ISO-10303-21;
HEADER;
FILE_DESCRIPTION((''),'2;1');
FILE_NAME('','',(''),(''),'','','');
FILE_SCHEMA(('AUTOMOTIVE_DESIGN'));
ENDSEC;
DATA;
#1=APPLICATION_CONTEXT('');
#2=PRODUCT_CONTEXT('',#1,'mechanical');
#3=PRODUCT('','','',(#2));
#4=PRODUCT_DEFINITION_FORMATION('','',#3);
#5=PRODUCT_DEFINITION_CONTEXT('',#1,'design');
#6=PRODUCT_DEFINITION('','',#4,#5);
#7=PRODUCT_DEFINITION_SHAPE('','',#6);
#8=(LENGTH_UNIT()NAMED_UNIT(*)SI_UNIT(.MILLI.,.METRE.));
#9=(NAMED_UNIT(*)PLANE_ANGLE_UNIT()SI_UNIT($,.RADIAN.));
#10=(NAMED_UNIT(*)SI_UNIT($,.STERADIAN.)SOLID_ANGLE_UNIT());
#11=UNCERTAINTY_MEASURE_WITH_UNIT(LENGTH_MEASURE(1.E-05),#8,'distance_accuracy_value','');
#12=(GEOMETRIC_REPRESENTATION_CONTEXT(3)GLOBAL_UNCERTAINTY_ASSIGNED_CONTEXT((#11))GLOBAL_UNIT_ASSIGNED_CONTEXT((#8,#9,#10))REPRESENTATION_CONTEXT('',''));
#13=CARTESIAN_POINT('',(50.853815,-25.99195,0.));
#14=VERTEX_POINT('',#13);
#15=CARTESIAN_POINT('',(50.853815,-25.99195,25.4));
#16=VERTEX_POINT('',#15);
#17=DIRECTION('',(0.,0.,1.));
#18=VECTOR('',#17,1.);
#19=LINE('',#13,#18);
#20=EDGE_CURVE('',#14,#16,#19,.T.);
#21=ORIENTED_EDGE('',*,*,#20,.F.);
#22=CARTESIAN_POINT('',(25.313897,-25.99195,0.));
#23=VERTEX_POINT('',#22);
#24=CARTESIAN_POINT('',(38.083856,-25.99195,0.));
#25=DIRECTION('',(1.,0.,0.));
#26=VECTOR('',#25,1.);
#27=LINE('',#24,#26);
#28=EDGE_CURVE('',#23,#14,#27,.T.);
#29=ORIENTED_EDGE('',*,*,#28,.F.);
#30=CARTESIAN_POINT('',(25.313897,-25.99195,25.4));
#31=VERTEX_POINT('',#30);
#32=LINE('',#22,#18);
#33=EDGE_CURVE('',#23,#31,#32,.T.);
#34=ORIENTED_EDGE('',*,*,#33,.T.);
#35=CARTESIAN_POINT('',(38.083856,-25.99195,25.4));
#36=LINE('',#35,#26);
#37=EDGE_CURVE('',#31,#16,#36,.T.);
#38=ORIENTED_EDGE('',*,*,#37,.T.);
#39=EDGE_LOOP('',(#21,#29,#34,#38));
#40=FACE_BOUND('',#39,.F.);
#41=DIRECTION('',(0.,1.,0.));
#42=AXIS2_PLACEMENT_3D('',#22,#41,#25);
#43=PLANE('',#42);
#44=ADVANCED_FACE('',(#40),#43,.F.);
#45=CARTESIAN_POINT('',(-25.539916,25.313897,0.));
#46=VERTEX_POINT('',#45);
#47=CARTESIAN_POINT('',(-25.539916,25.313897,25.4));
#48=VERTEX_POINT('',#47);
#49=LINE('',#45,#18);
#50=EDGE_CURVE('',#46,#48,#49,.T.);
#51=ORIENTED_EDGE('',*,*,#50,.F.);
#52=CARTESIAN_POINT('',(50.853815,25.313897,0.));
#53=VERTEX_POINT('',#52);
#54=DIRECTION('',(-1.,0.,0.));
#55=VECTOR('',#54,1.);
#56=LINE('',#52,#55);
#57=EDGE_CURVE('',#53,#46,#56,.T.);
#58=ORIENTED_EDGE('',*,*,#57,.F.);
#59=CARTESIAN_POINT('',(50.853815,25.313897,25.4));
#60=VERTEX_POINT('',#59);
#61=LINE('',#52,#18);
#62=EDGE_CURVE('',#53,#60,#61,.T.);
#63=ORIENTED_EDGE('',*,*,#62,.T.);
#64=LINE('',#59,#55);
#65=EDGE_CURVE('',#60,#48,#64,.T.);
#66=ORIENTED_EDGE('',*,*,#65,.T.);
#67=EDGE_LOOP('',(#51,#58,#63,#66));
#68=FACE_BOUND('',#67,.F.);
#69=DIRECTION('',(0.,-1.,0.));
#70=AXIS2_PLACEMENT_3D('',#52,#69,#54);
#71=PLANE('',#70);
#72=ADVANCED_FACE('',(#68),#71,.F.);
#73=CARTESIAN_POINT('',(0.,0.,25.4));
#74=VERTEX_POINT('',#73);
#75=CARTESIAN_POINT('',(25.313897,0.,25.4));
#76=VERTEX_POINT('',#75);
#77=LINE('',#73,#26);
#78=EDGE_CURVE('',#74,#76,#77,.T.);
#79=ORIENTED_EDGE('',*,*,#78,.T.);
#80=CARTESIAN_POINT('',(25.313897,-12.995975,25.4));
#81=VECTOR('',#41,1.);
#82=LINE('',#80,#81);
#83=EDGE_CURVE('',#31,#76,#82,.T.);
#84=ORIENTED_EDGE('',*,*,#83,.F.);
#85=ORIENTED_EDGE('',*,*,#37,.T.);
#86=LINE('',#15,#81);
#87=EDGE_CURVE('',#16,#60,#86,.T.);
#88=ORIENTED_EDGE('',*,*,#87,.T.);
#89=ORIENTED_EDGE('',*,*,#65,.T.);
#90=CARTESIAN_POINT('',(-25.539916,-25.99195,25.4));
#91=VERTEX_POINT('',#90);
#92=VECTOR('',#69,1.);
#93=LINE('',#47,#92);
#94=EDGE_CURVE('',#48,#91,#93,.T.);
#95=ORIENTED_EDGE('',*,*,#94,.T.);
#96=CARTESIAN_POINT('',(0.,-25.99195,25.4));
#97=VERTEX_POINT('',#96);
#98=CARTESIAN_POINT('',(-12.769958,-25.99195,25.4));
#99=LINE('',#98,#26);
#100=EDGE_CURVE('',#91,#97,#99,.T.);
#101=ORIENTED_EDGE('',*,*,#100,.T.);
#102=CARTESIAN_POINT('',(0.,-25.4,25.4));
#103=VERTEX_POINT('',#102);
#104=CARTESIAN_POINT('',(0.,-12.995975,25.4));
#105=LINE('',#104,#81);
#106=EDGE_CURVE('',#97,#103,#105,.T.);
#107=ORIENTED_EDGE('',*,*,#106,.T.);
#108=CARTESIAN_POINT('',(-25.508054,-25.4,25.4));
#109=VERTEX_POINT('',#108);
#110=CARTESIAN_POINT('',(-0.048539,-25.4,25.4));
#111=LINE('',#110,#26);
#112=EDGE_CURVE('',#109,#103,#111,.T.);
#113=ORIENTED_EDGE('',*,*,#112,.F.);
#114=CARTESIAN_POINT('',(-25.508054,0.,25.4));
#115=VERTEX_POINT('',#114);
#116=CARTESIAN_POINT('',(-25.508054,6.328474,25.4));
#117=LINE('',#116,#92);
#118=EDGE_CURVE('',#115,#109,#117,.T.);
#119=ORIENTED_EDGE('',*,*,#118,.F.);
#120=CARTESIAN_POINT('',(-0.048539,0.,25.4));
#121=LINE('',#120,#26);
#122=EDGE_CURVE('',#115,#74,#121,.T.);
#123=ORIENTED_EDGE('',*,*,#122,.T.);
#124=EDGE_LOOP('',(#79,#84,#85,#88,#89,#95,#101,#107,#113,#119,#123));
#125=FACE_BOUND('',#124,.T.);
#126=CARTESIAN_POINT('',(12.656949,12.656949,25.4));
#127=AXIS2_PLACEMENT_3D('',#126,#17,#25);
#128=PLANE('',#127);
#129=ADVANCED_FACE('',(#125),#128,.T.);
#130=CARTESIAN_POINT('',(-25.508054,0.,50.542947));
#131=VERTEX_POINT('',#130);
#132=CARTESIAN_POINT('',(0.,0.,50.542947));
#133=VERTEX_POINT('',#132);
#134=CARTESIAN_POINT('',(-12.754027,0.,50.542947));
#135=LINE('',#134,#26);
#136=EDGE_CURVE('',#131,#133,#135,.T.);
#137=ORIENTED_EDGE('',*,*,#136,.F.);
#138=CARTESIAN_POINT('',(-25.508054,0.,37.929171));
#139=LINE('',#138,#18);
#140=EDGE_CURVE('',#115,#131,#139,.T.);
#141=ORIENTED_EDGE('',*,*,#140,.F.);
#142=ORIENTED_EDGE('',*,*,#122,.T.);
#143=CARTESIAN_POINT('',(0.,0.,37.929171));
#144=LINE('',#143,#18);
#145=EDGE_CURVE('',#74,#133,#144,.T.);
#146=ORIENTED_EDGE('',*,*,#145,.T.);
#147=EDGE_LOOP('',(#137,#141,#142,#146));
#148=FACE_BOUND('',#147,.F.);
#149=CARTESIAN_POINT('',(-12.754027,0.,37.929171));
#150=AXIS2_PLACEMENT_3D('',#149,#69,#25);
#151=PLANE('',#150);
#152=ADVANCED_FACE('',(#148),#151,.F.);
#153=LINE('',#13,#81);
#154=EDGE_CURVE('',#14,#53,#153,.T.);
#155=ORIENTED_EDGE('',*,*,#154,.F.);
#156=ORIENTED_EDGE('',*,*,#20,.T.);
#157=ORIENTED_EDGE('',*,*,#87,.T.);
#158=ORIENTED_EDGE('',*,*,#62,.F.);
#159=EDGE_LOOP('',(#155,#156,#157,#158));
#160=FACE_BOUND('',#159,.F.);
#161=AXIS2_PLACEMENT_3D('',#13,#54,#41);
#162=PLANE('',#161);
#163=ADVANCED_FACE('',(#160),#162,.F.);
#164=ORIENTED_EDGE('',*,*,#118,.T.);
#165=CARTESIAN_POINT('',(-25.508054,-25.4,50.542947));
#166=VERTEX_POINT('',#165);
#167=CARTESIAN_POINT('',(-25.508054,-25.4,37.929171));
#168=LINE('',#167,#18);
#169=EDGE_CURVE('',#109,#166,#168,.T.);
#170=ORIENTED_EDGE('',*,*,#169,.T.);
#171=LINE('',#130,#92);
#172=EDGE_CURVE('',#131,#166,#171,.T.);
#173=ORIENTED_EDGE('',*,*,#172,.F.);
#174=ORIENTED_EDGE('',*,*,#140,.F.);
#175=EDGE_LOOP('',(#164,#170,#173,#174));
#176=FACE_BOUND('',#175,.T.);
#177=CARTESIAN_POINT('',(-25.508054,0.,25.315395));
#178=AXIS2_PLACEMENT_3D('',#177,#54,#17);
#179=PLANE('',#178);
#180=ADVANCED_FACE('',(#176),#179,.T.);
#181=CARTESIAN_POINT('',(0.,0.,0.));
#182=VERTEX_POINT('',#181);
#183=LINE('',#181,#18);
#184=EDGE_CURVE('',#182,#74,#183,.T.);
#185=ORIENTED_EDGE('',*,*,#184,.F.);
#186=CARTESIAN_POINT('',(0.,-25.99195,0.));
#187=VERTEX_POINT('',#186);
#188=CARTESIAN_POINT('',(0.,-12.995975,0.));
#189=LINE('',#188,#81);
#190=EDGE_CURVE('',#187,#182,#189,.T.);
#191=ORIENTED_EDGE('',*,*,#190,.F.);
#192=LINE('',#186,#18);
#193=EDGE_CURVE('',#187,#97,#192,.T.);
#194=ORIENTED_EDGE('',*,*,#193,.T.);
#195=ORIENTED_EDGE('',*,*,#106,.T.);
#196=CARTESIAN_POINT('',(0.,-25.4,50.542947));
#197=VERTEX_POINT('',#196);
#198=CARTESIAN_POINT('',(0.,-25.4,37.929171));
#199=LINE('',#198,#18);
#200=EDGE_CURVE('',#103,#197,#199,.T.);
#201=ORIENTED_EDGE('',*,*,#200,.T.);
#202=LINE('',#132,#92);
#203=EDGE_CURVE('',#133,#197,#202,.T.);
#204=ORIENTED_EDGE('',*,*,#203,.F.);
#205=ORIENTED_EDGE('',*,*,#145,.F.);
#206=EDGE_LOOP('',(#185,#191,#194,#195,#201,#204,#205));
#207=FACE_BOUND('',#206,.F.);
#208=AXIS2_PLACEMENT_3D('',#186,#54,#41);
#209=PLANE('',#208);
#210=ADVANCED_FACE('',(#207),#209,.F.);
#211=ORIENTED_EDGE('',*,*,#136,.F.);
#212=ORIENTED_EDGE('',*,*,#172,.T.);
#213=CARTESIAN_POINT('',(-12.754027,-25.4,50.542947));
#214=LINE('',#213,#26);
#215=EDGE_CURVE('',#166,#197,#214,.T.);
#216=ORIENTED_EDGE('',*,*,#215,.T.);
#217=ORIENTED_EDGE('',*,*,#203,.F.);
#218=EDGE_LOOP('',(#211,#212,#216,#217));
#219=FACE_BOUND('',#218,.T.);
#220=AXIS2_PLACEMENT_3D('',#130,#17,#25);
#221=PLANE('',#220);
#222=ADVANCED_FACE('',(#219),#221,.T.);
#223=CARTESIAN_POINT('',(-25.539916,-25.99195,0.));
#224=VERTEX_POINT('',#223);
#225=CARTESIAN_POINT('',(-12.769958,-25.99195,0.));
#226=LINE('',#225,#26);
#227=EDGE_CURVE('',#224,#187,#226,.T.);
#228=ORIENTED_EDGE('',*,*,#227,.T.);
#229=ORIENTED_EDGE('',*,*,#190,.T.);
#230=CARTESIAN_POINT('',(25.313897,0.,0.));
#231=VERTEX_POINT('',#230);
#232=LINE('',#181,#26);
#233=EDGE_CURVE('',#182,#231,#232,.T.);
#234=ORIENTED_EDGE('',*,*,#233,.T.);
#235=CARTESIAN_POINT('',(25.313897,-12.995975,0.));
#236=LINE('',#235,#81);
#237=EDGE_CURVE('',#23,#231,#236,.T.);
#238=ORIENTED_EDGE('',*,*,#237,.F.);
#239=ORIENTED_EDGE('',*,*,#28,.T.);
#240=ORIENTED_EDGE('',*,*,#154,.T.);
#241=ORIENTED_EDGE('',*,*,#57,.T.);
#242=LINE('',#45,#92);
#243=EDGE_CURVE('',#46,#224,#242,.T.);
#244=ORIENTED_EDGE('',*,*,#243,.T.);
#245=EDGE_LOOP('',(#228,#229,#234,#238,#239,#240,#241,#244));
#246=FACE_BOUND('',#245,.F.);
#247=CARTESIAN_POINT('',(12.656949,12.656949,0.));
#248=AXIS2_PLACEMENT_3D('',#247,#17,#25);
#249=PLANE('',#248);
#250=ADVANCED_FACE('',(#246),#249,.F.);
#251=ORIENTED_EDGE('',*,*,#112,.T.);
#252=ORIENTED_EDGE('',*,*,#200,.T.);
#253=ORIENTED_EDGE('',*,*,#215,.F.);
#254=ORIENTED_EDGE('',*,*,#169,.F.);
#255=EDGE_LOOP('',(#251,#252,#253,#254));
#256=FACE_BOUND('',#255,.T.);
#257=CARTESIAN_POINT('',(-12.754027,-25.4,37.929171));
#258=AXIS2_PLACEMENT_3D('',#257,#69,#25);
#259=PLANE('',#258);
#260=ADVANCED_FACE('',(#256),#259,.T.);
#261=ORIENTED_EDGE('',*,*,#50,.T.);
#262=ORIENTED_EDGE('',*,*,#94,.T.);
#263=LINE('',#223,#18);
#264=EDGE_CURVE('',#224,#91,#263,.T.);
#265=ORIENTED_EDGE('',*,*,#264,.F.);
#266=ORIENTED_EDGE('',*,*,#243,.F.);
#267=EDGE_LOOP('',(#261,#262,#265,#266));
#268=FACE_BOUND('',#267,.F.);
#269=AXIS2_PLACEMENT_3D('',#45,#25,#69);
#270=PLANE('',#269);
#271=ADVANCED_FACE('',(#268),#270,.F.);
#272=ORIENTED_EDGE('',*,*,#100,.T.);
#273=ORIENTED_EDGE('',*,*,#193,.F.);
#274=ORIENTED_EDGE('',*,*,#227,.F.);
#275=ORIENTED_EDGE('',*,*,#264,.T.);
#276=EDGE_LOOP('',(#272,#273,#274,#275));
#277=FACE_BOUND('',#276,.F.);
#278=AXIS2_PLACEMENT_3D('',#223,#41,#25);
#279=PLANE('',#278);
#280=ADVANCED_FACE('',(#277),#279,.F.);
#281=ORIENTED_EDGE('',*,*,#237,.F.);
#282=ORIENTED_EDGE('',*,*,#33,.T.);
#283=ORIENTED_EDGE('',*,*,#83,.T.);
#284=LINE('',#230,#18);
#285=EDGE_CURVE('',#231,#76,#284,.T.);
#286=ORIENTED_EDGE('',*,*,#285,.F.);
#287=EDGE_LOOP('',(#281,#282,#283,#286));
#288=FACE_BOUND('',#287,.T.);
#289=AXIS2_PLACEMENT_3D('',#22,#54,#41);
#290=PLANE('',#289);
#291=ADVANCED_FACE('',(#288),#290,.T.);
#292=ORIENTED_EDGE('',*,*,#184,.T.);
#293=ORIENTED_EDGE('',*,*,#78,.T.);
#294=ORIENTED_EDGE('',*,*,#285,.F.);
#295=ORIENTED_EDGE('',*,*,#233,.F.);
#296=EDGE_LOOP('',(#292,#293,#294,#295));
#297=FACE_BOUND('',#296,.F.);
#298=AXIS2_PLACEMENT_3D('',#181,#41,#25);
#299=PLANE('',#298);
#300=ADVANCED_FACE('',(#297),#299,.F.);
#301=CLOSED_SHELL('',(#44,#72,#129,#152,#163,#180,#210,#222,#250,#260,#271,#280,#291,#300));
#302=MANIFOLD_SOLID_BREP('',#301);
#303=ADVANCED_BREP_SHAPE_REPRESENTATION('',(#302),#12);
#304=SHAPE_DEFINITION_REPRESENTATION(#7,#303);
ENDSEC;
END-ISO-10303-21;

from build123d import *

# Parameters (mm, degrees)
F0_W     = 25.3138970584
F0_H     = 25.3138970584
F0_W_2   = 25.5399178714
F0_H_2   = 25.9919501841
F0_W_3   = 25.5399160087
F1_DEPTH = 25.4
F2_W     = 25.5080536008
F2_H     = 25.2275522798
F3_DEPTH = 25.4


with BuildPart() as f1:
    # F0 (on Top) → F1 (new body)
    with BuildSketch(Plane.XY):
        with Locations((12.6569485292, 12.6569485292)):
            Rectangle(F0_W, F0_H)
        with Locations((38.083855994, 12.6569485292)):
            Rectangle(F0_W_2, F0_H)
        with Locations((38.083855994, -12.9959750921)):
            Rectangle(F0_W_2, F0_H_2)
        with Locations((-12.7699580044, -12.9959750921)):
            Rectangle(F0_W_3, F0_H_2)
        with Locations((-12.7699580044, 12.6569485292)):
            Rectangle(F0_W_3, F0_H)
    extrude(amount=F1_DEPTH)

    # F2 (on Front) → F3 (join)
    with BuildSketch(Plane.XZ):
        with Locations((-12.7540268004, 37.929170765)):
            Rectangle(F2_W, F2_H)
    extrude(amount=F3_DEPTH)


solid = f1.part
